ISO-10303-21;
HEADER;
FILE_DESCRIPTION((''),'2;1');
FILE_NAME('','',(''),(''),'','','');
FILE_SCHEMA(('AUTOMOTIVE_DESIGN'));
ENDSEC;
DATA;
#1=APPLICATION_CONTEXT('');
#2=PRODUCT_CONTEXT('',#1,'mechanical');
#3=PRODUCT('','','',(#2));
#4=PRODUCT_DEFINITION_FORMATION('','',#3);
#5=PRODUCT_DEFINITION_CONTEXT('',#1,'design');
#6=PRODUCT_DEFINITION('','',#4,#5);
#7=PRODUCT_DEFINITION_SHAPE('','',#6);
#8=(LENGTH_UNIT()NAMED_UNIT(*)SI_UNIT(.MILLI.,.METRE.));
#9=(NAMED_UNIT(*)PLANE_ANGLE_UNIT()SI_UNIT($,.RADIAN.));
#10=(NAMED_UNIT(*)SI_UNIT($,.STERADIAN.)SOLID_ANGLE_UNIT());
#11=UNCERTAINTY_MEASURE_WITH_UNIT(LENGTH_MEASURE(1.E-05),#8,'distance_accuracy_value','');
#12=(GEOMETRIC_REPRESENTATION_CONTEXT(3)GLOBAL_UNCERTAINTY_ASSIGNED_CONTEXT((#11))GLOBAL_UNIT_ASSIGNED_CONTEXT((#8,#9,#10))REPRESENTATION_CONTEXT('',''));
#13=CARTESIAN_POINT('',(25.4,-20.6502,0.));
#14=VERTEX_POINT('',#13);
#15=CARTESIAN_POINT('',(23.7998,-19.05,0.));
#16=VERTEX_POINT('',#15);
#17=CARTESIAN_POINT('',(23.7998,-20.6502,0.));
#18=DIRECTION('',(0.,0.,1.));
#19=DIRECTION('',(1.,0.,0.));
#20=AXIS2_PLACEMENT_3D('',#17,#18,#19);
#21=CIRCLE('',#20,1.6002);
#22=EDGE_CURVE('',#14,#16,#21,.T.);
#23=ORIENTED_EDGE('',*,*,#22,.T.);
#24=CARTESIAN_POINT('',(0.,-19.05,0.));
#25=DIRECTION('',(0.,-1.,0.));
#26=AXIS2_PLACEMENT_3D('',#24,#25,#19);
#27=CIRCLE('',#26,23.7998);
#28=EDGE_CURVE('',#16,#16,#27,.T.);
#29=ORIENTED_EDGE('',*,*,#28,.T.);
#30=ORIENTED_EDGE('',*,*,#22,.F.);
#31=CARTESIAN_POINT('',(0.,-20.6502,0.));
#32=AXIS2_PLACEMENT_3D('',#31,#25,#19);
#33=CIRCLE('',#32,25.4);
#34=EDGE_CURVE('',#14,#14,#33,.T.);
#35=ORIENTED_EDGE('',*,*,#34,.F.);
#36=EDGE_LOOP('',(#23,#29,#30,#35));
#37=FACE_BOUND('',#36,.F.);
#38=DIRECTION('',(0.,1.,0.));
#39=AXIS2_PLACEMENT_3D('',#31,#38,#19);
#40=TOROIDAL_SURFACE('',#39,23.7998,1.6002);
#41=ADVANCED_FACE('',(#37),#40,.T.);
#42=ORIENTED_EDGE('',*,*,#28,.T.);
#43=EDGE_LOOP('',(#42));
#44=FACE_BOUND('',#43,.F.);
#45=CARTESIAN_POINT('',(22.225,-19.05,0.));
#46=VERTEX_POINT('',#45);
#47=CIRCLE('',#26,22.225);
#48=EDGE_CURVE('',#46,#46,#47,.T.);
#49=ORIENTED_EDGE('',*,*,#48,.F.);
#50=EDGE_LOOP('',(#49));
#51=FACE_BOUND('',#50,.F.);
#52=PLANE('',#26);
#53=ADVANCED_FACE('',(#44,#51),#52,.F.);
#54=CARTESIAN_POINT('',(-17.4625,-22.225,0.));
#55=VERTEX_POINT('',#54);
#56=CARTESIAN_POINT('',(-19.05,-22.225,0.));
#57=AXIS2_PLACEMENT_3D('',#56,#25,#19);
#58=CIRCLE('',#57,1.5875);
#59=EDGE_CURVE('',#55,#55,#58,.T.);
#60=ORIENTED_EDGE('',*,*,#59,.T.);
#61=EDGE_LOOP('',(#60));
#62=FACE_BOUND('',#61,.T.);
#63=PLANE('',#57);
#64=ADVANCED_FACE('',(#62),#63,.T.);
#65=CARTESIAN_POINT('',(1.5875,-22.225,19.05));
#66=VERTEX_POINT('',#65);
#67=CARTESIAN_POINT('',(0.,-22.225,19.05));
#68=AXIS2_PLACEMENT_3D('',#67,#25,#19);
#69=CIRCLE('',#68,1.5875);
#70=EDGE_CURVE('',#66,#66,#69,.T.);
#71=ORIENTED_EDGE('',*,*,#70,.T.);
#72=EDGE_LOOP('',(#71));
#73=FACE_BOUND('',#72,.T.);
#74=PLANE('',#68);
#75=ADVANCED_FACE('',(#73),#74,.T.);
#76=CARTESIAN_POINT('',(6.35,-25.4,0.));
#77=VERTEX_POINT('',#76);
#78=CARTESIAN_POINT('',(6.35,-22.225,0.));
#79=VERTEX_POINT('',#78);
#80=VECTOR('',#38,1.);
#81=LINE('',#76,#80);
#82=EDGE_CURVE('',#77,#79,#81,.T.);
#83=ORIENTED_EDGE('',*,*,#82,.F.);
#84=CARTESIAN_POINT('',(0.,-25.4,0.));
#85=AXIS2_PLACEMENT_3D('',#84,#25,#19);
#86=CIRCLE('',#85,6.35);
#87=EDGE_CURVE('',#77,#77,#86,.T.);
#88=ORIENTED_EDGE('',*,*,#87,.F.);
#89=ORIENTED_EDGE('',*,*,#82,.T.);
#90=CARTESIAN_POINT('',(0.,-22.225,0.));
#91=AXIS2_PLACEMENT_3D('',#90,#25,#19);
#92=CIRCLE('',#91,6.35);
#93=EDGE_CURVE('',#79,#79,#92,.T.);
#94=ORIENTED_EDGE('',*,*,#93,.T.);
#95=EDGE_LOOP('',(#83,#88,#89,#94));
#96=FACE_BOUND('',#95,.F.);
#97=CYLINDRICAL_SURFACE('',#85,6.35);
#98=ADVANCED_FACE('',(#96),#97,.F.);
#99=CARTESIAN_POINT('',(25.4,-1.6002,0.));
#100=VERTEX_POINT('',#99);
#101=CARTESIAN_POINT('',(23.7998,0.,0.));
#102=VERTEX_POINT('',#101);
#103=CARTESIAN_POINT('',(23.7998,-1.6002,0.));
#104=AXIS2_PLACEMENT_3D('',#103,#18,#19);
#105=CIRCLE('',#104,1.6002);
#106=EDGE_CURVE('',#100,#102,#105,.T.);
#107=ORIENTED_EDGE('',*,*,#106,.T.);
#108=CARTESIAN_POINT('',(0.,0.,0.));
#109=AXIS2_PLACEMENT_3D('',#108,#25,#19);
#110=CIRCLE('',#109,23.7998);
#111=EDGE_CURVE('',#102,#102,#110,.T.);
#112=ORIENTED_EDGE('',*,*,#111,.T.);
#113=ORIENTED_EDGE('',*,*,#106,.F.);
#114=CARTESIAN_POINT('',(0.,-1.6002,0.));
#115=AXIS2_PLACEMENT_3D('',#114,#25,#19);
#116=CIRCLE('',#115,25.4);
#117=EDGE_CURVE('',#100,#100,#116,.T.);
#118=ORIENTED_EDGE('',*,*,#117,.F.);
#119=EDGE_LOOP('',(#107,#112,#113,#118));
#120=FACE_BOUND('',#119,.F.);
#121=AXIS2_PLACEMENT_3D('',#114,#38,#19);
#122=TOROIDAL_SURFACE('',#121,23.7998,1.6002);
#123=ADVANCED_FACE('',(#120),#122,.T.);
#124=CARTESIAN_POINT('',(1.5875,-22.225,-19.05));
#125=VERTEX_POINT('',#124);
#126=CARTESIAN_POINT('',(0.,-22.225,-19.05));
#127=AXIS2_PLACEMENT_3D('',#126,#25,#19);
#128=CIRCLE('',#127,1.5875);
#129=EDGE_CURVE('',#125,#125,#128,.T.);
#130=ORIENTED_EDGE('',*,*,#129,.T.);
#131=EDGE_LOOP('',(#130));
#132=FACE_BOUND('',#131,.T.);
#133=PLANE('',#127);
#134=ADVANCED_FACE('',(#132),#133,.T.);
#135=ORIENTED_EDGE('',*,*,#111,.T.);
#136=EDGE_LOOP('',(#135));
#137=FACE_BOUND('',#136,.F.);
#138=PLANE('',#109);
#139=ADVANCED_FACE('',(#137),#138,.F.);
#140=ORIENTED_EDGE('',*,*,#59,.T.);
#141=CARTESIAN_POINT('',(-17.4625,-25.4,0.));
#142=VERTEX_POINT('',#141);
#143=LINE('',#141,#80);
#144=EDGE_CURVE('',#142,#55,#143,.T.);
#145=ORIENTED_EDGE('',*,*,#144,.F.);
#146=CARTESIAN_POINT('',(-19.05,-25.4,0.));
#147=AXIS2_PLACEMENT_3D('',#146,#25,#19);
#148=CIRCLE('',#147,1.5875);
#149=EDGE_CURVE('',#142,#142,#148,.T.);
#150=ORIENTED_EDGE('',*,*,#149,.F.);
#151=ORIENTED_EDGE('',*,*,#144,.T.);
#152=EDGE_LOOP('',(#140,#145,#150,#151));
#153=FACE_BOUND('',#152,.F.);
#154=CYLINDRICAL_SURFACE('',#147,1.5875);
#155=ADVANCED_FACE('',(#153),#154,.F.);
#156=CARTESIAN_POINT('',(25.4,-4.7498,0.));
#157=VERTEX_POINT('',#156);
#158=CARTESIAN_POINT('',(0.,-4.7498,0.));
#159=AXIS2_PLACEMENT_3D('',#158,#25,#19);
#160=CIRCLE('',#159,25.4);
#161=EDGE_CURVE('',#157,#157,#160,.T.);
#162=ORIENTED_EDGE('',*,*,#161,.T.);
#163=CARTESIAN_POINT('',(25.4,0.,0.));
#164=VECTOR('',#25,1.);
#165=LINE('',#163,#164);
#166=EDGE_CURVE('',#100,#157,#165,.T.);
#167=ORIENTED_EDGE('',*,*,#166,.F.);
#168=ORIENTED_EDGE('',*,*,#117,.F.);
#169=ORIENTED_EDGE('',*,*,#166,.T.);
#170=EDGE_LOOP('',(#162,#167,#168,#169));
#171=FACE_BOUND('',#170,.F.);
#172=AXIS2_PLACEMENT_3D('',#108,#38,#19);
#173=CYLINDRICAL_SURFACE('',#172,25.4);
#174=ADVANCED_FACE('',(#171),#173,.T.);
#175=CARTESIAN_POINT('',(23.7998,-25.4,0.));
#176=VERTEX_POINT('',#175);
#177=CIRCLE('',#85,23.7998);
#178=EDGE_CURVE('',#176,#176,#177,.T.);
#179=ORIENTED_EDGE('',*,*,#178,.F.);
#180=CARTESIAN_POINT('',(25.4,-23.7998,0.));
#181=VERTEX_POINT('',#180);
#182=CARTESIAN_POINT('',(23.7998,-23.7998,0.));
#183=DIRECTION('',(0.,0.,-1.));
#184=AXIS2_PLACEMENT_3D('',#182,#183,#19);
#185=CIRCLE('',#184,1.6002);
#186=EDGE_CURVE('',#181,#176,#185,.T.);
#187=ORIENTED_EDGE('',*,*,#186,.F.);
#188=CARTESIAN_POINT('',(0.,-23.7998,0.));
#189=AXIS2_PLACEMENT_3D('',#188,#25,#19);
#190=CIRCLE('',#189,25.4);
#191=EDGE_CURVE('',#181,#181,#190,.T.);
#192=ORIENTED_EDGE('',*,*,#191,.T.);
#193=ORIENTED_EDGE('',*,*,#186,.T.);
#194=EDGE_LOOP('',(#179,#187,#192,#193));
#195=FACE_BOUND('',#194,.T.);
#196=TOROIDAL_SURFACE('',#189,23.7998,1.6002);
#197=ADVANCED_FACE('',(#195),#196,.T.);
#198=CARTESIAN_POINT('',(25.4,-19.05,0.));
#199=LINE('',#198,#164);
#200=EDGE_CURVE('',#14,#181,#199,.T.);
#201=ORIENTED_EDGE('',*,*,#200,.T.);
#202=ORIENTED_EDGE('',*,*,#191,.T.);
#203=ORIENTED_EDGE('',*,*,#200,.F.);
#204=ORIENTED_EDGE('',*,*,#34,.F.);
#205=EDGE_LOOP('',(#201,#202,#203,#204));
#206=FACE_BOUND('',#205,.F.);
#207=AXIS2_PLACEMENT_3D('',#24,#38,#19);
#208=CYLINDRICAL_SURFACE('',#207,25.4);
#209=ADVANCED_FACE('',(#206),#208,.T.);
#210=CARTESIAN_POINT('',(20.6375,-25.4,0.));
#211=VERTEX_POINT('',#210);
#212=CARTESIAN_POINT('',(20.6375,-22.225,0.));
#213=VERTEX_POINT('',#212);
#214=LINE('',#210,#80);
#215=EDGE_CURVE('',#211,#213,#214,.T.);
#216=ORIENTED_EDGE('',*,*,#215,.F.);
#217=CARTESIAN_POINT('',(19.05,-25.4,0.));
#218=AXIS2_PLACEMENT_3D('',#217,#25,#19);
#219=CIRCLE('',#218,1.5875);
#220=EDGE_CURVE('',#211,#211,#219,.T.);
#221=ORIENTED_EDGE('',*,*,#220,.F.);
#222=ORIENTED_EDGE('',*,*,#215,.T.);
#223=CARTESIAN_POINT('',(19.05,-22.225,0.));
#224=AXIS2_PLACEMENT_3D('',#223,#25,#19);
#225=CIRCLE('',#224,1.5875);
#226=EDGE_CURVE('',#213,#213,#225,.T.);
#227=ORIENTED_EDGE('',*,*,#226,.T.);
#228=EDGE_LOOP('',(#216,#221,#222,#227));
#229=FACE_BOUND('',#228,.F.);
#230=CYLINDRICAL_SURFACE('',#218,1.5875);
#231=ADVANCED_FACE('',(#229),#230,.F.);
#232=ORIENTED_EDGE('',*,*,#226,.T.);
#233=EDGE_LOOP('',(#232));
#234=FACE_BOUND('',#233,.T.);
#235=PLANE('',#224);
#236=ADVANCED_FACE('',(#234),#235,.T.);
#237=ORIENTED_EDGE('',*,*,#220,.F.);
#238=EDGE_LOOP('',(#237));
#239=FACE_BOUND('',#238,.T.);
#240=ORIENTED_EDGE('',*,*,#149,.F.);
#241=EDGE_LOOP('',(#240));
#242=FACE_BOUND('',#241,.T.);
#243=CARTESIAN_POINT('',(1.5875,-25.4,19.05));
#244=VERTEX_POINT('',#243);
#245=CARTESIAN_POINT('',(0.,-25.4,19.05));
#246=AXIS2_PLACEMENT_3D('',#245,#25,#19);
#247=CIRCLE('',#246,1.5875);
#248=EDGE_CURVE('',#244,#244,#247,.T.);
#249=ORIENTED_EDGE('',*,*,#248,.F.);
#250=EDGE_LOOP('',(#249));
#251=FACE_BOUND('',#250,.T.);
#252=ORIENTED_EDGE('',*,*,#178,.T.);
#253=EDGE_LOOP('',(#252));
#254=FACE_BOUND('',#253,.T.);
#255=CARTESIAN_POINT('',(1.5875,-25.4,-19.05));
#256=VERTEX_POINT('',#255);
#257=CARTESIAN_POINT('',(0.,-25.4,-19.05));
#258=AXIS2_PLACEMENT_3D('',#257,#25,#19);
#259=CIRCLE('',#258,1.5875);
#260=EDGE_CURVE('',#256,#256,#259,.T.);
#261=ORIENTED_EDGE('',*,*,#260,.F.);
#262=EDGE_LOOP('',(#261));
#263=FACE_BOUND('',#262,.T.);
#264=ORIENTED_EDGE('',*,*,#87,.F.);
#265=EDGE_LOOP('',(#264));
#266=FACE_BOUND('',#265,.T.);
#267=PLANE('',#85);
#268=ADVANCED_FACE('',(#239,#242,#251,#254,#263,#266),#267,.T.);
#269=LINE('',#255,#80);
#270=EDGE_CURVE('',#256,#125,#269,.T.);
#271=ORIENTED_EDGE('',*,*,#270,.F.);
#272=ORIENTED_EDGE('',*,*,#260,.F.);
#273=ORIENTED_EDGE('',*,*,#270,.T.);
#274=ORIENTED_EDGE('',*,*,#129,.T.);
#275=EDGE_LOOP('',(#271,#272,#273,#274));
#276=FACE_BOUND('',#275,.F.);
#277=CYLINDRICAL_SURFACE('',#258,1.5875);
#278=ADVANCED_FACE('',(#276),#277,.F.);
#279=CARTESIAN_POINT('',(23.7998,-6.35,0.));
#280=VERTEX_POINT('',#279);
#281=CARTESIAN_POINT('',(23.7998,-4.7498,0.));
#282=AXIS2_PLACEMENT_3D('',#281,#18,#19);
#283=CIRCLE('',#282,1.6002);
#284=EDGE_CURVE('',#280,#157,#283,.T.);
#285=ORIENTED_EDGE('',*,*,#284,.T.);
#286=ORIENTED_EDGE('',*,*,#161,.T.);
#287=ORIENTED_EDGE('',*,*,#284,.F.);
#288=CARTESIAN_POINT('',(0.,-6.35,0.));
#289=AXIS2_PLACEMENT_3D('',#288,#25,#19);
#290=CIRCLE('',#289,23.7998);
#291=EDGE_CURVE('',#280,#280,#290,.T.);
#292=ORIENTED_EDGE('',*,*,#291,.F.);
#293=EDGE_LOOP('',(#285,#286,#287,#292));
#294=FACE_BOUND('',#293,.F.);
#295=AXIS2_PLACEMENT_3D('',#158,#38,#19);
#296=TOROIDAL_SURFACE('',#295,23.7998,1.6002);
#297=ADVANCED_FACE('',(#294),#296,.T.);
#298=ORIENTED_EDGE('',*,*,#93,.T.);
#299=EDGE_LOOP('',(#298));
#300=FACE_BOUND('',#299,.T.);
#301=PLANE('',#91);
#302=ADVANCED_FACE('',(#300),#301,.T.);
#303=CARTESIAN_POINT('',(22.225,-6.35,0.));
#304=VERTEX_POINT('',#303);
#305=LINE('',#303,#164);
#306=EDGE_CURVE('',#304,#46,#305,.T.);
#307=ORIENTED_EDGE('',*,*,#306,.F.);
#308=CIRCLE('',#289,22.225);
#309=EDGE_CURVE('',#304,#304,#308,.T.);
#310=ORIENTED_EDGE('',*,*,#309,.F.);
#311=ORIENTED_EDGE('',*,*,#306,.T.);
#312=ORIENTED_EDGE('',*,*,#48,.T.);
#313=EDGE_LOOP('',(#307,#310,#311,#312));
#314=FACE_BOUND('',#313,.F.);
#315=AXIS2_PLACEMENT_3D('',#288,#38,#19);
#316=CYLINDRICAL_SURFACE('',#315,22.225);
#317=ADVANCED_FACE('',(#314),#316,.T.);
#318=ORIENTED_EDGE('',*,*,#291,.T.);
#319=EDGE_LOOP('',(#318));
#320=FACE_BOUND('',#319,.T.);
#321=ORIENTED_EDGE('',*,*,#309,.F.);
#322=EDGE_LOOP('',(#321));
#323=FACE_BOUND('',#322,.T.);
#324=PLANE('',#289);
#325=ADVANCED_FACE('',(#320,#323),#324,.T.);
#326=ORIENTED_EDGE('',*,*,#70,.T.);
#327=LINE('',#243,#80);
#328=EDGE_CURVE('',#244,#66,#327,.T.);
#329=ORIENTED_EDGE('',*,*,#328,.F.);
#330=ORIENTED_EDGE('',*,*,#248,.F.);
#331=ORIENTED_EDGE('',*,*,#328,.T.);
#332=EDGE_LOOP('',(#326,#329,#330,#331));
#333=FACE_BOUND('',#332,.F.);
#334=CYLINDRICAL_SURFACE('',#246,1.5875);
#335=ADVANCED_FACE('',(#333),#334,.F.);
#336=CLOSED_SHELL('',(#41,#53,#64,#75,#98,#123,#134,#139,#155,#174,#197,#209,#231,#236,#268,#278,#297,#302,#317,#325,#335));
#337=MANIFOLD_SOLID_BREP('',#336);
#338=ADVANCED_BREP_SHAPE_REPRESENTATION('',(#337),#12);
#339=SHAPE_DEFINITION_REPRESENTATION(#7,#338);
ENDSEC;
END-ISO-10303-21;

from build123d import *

# Parameters (mm, degrees)
F0_R     = 25.4
F1_DEPTH = 6.35
F2_R     = 22.225
F3_DEPTH = 12.7
F4_R     = 25.4
F5_DEPTH = 6.35
F6_R     = 1.6002
F7_R     = 6.35
F7_R_2   = 1.5875
F8_DEPTH = 3.175


with BuildPart() as f1:
    # F0 (on Front) → F1 (new body)
    with BuildSketch(Plane.XZ):
        Circle(F0_R)
    extrude(amount=F1_DEPTH)

    # F2 (on face) → F3 (join)
    with BuildSketch(Plane.XZ.offset(6.35)):
        Circle(F2_R)
    extrude(amount=F3_DEPTH)

    # F4 (on face) → F5 (join)
    with BuildSketch(Plane.XZ.offset(19.05)):
        Circle(F4_R)
    extrude(amount=F5_DEPTH)

    # F6
    f6_edges = [f1.edges().sort_by_distance(p)[0] for p in [
        (25.4, -3.175, 0),
        (-25.4, 0, 0),
        (-25.4, -6.35, 0),
        (25.4, -22.225, 0),
        (-25.4, -19.05, 0),
        (-25.4, -25.4, 0),
    ]]
    fillet(f6_edges, radius=F6_R)

    # F7 (on face) → F8 (cut)
    with BuildSketch(Plane.XZ.offset(25.4)):
        Circle(F7_R)
        with Locations((0, 19.05)):
            Circle(F7_R_2)
        with Locations((19.05, 0)):
            Circle(F7_R_2)
        with Locations((0, -19.05)):
            Circle(F7_R_2)
        with Locations((-19.05, 0)):
            Circle(F7_R_2)
    extrude(amount=-F8_DEPTH, mode=Mode.SUBTRACT)


solid = f1.part
